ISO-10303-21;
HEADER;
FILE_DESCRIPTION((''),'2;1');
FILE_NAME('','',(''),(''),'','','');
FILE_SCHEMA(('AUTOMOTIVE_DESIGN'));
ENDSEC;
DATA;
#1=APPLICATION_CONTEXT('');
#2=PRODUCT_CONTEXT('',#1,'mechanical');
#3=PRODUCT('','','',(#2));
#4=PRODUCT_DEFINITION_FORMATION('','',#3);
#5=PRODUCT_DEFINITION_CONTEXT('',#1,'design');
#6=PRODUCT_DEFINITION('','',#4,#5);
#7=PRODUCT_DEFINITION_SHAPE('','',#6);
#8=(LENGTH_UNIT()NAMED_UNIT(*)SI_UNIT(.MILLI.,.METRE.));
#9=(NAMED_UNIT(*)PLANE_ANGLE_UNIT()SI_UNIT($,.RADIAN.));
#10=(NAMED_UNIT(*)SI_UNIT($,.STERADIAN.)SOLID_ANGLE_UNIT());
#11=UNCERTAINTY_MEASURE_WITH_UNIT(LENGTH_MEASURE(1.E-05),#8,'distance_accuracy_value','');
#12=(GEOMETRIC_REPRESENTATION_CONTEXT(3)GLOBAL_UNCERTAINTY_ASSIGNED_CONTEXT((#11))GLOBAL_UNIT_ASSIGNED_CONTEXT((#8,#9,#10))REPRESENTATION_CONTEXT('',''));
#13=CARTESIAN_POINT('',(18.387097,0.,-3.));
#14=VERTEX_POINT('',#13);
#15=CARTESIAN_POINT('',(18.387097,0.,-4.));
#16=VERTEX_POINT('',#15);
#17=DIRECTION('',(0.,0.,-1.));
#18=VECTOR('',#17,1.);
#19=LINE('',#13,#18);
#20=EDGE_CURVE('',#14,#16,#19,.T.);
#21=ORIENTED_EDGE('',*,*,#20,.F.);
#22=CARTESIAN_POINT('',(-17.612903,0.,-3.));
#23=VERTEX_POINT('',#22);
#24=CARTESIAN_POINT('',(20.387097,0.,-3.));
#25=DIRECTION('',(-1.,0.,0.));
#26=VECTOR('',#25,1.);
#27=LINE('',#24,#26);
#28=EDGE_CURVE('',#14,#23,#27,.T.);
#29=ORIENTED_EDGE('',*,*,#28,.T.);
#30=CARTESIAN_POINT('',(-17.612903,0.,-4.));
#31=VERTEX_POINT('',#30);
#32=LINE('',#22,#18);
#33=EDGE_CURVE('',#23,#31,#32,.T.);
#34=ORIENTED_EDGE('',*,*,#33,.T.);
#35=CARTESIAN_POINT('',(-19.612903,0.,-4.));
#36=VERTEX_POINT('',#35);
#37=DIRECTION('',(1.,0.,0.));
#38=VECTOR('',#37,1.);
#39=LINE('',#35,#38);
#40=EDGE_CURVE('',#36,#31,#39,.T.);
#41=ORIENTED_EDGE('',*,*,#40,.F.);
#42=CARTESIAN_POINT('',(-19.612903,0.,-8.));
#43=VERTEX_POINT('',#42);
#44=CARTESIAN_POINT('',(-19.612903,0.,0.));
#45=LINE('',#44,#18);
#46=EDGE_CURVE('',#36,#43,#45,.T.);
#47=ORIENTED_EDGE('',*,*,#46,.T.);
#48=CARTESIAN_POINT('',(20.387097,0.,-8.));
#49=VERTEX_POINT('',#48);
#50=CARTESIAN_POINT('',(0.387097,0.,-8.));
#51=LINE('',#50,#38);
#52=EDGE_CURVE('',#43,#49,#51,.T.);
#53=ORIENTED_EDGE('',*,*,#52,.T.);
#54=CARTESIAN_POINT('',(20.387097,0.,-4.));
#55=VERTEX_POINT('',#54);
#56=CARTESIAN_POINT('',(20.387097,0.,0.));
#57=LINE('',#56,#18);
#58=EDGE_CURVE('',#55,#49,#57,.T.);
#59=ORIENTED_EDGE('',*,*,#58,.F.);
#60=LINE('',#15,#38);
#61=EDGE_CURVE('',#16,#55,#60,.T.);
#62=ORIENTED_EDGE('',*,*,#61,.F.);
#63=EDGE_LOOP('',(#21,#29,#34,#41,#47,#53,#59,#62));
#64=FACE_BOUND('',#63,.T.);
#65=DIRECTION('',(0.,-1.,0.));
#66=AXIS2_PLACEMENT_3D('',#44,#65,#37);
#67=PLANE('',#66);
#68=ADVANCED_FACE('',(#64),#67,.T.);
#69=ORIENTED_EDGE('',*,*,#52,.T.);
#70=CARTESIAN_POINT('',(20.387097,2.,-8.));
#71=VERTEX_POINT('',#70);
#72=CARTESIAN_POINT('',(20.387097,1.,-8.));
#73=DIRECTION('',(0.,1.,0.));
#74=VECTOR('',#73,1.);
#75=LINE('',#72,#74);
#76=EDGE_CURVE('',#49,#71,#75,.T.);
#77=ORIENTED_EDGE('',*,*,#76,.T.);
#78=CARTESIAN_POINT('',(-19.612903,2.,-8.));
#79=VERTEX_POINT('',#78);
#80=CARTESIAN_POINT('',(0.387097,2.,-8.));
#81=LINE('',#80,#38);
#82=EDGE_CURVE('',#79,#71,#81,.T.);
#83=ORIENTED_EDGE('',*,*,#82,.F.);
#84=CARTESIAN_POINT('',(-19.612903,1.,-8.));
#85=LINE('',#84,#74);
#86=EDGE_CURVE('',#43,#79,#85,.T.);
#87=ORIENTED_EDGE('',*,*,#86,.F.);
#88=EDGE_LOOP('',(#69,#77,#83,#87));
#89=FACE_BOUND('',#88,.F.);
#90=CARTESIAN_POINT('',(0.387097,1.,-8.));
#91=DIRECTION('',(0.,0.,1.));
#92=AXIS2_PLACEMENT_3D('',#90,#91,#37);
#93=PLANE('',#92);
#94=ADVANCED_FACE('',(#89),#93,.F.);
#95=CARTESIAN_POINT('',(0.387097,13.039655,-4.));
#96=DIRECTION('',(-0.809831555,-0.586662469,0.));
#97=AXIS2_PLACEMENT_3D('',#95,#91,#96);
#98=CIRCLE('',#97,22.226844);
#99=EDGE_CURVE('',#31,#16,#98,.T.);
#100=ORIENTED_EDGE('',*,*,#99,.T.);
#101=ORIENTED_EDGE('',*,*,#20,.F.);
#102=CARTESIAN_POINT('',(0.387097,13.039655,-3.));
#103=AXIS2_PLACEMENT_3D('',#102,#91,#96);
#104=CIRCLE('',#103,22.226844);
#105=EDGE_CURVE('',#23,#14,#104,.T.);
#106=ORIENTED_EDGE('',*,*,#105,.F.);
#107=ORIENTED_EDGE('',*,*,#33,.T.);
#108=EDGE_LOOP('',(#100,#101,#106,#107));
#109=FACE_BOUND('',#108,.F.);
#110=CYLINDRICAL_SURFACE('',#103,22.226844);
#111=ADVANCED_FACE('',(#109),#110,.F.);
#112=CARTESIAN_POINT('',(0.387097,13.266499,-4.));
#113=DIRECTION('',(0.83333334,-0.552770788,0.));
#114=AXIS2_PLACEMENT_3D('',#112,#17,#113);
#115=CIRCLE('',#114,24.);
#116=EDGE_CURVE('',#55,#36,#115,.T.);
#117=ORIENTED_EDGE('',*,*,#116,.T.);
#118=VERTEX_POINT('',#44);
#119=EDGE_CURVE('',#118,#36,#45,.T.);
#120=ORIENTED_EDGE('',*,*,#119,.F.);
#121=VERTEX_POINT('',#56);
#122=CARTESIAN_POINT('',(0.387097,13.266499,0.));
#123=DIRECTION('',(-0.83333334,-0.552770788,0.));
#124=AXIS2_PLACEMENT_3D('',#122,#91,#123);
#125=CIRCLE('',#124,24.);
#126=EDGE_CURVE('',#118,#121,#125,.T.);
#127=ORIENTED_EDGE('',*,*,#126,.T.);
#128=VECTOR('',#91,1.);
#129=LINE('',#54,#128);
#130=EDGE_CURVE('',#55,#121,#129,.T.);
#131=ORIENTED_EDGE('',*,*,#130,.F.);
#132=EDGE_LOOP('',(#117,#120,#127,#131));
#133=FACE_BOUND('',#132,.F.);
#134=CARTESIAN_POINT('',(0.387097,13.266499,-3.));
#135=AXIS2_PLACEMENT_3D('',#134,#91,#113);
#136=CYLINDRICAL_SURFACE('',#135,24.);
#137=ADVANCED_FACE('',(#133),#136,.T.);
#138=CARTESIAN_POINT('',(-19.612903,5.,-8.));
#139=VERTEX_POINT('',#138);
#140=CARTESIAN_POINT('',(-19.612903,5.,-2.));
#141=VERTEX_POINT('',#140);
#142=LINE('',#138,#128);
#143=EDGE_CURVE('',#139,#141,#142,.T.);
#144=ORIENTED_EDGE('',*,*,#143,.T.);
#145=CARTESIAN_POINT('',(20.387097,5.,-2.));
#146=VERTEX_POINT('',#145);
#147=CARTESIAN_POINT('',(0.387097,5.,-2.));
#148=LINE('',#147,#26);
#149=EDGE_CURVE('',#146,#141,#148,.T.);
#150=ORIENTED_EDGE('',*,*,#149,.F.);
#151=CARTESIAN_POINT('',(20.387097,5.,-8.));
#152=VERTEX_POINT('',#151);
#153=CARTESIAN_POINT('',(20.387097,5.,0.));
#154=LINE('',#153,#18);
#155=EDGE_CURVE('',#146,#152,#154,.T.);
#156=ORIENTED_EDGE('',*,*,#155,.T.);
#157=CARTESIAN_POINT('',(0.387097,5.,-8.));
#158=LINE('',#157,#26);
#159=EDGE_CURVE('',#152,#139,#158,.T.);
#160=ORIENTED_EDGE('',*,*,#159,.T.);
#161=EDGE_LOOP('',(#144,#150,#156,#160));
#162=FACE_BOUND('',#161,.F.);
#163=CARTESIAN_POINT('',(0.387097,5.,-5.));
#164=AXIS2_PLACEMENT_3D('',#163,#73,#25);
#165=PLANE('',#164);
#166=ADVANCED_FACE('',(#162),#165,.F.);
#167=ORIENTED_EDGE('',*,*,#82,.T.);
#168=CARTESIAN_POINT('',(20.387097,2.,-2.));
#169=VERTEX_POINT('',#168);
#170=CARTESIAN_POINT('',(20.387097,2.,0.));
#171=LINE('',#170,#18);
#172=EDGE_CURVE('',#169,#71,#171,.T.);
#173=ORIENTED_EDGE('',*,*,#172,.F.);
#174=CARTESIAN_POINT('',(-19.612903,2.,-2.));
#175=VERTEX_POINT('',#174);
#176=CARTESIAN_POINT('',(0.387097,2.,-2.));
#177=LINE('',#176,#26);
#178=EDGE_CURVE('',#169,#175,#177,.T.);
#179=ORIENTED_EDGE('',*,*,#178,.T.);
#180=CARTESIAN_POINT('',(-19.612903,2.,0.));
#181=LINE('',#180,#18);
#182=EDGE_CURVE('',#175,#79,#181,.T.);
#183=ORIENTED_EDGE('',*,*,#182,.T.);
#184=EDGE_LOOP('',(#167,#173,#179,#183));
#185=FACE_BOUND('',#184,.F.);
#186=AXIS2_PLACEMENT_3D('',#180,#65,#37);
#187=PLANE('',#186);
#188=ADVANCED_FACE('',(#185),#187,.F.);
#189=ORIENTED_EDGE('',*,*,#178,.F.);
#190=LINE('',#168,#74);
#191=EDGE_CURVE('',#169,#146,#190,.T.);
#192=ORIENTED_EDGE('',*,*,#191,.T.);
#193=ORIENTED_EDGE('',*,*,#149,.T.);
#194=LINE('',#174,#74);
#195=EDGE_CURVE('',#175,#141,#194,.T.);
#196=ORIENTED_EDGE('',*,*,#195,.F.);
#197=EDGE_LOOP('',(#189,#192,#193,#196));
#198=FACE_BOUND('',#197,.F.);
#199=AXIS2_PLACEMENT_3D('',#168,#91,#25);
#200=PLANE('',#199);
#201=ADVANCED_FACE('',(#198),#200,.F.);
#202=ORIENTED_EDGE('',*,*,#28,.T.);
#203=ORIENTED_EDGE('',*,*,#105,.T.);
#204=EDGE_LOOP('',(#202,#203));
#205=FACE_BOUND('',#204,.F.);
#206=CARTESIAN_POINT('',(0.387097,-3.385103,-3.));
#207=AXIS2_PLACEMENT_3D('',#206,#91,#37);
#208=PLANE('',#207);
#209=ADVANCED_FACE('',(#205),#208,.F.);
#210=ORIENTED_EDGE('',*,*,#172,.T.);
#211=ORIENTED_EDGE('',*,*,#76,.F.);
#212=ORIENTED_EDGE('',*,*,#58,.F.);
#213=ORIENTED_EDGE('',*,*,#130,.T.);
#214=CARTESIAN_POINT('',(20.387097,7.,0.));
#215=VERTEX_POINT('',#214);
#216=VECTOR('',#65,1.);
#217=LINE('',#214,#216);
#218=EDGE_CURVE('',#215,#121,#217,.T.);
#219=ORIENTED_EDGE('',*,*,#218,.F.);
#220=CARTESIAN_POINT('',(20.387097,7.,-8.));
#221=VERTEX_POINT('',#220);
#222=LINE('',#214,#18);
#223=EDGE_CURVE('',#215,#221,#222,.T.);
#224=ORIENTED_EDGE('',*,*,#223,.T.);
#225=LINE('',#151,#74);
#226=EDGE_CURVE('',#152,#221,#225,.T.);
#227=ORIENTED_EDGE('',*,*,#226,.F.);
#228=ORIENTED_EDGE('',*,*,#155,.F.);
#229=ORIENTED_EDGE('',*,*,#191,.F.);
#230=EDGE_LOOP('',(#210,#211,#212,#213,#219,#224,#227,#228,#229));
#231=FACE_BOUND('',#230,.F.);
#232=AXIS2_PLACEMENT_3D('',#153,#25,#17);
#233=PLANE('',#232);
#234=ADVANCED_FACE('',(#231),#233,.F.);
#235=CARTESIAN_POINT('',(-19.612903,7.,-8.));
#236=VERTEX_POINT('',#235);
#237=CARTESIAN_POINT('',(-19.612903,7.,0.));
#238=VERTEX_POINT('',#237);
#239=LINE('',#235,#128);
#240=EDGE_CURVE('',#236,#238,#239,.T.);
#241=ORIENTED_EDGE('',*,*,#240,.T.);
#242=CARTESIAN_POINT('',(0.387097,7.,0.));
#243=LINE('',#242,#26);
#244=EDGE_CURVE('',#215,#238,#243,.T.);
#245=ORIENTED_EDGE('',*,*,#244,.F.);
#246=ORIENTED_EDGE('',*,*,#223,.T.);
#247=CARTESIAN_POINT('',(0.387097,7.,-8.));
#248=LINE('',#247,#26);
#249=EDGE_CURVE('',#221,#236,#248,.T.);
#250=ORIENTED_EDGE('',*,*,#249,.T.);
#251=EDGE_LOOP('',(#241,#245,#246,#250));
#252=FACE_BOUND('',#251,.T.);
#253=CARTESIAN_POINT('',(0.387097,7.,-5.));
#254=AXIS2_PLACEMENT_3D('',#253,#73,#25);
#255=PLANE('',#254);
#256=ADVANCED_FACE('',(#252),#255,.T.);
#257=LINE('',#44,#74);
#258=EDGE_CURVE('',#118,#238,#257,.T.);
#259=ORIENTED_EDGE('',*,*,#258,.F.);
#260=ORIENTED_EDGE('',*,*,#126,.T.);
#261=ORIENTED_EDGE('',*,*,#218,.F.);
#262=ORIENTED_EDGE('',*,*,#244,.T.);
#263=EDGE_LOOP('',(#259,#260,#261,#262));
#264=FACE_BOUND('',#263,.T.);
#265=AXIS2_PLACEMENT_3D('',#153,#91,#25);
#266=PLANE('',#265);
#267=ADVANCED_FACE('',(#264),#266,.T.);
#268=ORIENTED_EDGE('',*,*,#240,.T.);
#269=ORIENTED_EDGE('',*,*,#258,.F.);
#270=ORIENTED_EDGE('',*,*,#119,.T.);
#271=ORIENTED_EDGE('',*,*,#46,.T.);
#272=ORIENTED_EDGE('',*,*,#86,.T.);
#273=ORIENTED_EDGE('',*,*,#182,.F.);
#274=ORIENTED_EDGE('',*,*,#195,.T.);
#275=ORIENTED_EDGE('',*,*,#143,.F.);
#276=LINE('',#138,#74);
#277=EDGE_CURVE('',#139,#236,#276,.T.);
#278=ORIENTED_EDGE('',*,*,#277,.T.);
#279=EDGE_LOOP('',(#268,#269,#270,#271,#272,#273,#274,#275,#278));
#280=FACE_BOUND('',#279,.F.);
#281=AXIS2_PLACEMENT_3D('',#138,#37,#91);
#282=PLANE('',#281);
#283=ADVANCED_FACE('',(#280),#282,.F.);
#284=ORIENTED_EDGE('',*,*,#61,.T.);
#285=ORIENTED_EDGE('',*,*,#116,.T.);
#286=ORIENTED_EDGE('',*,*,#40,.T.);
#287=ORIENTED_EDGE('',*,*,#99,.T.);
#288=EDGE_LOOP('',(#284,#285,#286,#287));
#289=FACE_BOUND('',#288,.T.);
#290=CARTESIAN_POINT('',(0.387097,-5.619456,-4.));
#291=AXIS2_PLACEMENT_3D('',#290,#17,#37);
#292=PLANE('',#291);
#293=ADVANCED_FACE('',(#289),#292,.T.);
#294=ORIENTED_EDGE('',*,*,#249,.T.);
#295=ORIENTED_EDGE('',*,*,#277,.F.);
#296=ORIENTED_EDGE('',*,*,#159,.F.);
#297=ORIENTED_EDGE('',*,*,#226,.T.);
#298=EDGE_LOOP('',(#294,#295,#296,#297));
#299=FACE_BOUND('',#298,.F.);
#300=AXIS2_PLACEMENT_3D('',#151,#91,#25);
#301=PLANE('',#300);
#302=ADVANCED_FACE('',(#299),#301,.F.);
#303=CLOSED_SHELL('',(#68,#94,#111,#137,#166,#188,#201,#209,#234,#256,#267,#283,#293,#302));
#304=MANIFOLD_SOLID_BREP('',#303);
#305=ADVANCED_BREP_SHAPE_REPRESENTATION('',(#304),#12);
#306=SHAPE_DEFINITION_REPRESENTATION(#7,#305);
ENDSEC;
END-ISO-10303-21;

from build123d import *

# Parameters (mm, degrees)
F0_W     = 40
F0_H     = 2
F1_DEPTH = 8
F2_DEPTH = 3
F4_DEPTH = 1
F5_W     = 40
F5_H     = 2
F6_DEPTH = 3
F7_W     = 40
F7_H     = 6
F7_H_2   = 2
F8_DEPTH = 2


with BuildPart() as f1:
    # F0 (on Top) → F1 (new body)
    with BuildSketch(Plane.XY):
        with Locations((0.387097, 1)):
            Rectangle(F0_W, F0_H)
    extrude(amount=-F1_DEPTH)

    # F0 (on Top) → F2 (join)
    with BuildSketch(Plane.XY):
        with BuildLine():
            Line((20.387097, 0), (-19.612903, 0))
            ThreePointArc((-19.612903, 0), (0.387097, -10.733501), (20.387097, 0))
        make_face()
    extrude(amount=-F2_DEPTH)

    # F3 (on face) → F4 (join)
    with BuildSketch(Plane(origin=(0, 0, -3), x_dir=(1, 0, 0), z_dir=(0, 0, -1))):
        with BuildLine():
            Line((18.387097, 0), (20.387097, 0))
            ThreePointArc((20.387097, 0), (0.387097, 10.733501), (-19.612903, 0))
            Line((-19.612903, 0), (-17.612903, 0))
            ThreePointArc((-17.612903, 0), (0.387097, 9.187189), (18.387097, 0))
        make_face()
    extrude(amount=F4_DEPTH)

    # F5 (on face) → F6 (join)
    with BuildSketch(Plane(origin=(0, 2, 0), x_dir=(-1, 0, 0), z_dir=(0, 1, 0))):
        with Locations((-0.387097, -1)):
            Rectangle(F5_W, F5_H)
    extrude(amount=F6_DEPTH)

    # F7 (on face) → F8 (join)
    with BuildSketch(Plane(origin=(0, 5, 0), x_dir=(-1, 0, 0), z_dir=(0, 1, 0))):
        with Locations((-0.387097, -5)):
            Rectangle(F7_W, F7_H)
        with Locations((-0.387097, -1)):
            Rectangle(F7_W, F7_H_2)
    extrude(amount=F8_DEPTH)


solid = f1.part
